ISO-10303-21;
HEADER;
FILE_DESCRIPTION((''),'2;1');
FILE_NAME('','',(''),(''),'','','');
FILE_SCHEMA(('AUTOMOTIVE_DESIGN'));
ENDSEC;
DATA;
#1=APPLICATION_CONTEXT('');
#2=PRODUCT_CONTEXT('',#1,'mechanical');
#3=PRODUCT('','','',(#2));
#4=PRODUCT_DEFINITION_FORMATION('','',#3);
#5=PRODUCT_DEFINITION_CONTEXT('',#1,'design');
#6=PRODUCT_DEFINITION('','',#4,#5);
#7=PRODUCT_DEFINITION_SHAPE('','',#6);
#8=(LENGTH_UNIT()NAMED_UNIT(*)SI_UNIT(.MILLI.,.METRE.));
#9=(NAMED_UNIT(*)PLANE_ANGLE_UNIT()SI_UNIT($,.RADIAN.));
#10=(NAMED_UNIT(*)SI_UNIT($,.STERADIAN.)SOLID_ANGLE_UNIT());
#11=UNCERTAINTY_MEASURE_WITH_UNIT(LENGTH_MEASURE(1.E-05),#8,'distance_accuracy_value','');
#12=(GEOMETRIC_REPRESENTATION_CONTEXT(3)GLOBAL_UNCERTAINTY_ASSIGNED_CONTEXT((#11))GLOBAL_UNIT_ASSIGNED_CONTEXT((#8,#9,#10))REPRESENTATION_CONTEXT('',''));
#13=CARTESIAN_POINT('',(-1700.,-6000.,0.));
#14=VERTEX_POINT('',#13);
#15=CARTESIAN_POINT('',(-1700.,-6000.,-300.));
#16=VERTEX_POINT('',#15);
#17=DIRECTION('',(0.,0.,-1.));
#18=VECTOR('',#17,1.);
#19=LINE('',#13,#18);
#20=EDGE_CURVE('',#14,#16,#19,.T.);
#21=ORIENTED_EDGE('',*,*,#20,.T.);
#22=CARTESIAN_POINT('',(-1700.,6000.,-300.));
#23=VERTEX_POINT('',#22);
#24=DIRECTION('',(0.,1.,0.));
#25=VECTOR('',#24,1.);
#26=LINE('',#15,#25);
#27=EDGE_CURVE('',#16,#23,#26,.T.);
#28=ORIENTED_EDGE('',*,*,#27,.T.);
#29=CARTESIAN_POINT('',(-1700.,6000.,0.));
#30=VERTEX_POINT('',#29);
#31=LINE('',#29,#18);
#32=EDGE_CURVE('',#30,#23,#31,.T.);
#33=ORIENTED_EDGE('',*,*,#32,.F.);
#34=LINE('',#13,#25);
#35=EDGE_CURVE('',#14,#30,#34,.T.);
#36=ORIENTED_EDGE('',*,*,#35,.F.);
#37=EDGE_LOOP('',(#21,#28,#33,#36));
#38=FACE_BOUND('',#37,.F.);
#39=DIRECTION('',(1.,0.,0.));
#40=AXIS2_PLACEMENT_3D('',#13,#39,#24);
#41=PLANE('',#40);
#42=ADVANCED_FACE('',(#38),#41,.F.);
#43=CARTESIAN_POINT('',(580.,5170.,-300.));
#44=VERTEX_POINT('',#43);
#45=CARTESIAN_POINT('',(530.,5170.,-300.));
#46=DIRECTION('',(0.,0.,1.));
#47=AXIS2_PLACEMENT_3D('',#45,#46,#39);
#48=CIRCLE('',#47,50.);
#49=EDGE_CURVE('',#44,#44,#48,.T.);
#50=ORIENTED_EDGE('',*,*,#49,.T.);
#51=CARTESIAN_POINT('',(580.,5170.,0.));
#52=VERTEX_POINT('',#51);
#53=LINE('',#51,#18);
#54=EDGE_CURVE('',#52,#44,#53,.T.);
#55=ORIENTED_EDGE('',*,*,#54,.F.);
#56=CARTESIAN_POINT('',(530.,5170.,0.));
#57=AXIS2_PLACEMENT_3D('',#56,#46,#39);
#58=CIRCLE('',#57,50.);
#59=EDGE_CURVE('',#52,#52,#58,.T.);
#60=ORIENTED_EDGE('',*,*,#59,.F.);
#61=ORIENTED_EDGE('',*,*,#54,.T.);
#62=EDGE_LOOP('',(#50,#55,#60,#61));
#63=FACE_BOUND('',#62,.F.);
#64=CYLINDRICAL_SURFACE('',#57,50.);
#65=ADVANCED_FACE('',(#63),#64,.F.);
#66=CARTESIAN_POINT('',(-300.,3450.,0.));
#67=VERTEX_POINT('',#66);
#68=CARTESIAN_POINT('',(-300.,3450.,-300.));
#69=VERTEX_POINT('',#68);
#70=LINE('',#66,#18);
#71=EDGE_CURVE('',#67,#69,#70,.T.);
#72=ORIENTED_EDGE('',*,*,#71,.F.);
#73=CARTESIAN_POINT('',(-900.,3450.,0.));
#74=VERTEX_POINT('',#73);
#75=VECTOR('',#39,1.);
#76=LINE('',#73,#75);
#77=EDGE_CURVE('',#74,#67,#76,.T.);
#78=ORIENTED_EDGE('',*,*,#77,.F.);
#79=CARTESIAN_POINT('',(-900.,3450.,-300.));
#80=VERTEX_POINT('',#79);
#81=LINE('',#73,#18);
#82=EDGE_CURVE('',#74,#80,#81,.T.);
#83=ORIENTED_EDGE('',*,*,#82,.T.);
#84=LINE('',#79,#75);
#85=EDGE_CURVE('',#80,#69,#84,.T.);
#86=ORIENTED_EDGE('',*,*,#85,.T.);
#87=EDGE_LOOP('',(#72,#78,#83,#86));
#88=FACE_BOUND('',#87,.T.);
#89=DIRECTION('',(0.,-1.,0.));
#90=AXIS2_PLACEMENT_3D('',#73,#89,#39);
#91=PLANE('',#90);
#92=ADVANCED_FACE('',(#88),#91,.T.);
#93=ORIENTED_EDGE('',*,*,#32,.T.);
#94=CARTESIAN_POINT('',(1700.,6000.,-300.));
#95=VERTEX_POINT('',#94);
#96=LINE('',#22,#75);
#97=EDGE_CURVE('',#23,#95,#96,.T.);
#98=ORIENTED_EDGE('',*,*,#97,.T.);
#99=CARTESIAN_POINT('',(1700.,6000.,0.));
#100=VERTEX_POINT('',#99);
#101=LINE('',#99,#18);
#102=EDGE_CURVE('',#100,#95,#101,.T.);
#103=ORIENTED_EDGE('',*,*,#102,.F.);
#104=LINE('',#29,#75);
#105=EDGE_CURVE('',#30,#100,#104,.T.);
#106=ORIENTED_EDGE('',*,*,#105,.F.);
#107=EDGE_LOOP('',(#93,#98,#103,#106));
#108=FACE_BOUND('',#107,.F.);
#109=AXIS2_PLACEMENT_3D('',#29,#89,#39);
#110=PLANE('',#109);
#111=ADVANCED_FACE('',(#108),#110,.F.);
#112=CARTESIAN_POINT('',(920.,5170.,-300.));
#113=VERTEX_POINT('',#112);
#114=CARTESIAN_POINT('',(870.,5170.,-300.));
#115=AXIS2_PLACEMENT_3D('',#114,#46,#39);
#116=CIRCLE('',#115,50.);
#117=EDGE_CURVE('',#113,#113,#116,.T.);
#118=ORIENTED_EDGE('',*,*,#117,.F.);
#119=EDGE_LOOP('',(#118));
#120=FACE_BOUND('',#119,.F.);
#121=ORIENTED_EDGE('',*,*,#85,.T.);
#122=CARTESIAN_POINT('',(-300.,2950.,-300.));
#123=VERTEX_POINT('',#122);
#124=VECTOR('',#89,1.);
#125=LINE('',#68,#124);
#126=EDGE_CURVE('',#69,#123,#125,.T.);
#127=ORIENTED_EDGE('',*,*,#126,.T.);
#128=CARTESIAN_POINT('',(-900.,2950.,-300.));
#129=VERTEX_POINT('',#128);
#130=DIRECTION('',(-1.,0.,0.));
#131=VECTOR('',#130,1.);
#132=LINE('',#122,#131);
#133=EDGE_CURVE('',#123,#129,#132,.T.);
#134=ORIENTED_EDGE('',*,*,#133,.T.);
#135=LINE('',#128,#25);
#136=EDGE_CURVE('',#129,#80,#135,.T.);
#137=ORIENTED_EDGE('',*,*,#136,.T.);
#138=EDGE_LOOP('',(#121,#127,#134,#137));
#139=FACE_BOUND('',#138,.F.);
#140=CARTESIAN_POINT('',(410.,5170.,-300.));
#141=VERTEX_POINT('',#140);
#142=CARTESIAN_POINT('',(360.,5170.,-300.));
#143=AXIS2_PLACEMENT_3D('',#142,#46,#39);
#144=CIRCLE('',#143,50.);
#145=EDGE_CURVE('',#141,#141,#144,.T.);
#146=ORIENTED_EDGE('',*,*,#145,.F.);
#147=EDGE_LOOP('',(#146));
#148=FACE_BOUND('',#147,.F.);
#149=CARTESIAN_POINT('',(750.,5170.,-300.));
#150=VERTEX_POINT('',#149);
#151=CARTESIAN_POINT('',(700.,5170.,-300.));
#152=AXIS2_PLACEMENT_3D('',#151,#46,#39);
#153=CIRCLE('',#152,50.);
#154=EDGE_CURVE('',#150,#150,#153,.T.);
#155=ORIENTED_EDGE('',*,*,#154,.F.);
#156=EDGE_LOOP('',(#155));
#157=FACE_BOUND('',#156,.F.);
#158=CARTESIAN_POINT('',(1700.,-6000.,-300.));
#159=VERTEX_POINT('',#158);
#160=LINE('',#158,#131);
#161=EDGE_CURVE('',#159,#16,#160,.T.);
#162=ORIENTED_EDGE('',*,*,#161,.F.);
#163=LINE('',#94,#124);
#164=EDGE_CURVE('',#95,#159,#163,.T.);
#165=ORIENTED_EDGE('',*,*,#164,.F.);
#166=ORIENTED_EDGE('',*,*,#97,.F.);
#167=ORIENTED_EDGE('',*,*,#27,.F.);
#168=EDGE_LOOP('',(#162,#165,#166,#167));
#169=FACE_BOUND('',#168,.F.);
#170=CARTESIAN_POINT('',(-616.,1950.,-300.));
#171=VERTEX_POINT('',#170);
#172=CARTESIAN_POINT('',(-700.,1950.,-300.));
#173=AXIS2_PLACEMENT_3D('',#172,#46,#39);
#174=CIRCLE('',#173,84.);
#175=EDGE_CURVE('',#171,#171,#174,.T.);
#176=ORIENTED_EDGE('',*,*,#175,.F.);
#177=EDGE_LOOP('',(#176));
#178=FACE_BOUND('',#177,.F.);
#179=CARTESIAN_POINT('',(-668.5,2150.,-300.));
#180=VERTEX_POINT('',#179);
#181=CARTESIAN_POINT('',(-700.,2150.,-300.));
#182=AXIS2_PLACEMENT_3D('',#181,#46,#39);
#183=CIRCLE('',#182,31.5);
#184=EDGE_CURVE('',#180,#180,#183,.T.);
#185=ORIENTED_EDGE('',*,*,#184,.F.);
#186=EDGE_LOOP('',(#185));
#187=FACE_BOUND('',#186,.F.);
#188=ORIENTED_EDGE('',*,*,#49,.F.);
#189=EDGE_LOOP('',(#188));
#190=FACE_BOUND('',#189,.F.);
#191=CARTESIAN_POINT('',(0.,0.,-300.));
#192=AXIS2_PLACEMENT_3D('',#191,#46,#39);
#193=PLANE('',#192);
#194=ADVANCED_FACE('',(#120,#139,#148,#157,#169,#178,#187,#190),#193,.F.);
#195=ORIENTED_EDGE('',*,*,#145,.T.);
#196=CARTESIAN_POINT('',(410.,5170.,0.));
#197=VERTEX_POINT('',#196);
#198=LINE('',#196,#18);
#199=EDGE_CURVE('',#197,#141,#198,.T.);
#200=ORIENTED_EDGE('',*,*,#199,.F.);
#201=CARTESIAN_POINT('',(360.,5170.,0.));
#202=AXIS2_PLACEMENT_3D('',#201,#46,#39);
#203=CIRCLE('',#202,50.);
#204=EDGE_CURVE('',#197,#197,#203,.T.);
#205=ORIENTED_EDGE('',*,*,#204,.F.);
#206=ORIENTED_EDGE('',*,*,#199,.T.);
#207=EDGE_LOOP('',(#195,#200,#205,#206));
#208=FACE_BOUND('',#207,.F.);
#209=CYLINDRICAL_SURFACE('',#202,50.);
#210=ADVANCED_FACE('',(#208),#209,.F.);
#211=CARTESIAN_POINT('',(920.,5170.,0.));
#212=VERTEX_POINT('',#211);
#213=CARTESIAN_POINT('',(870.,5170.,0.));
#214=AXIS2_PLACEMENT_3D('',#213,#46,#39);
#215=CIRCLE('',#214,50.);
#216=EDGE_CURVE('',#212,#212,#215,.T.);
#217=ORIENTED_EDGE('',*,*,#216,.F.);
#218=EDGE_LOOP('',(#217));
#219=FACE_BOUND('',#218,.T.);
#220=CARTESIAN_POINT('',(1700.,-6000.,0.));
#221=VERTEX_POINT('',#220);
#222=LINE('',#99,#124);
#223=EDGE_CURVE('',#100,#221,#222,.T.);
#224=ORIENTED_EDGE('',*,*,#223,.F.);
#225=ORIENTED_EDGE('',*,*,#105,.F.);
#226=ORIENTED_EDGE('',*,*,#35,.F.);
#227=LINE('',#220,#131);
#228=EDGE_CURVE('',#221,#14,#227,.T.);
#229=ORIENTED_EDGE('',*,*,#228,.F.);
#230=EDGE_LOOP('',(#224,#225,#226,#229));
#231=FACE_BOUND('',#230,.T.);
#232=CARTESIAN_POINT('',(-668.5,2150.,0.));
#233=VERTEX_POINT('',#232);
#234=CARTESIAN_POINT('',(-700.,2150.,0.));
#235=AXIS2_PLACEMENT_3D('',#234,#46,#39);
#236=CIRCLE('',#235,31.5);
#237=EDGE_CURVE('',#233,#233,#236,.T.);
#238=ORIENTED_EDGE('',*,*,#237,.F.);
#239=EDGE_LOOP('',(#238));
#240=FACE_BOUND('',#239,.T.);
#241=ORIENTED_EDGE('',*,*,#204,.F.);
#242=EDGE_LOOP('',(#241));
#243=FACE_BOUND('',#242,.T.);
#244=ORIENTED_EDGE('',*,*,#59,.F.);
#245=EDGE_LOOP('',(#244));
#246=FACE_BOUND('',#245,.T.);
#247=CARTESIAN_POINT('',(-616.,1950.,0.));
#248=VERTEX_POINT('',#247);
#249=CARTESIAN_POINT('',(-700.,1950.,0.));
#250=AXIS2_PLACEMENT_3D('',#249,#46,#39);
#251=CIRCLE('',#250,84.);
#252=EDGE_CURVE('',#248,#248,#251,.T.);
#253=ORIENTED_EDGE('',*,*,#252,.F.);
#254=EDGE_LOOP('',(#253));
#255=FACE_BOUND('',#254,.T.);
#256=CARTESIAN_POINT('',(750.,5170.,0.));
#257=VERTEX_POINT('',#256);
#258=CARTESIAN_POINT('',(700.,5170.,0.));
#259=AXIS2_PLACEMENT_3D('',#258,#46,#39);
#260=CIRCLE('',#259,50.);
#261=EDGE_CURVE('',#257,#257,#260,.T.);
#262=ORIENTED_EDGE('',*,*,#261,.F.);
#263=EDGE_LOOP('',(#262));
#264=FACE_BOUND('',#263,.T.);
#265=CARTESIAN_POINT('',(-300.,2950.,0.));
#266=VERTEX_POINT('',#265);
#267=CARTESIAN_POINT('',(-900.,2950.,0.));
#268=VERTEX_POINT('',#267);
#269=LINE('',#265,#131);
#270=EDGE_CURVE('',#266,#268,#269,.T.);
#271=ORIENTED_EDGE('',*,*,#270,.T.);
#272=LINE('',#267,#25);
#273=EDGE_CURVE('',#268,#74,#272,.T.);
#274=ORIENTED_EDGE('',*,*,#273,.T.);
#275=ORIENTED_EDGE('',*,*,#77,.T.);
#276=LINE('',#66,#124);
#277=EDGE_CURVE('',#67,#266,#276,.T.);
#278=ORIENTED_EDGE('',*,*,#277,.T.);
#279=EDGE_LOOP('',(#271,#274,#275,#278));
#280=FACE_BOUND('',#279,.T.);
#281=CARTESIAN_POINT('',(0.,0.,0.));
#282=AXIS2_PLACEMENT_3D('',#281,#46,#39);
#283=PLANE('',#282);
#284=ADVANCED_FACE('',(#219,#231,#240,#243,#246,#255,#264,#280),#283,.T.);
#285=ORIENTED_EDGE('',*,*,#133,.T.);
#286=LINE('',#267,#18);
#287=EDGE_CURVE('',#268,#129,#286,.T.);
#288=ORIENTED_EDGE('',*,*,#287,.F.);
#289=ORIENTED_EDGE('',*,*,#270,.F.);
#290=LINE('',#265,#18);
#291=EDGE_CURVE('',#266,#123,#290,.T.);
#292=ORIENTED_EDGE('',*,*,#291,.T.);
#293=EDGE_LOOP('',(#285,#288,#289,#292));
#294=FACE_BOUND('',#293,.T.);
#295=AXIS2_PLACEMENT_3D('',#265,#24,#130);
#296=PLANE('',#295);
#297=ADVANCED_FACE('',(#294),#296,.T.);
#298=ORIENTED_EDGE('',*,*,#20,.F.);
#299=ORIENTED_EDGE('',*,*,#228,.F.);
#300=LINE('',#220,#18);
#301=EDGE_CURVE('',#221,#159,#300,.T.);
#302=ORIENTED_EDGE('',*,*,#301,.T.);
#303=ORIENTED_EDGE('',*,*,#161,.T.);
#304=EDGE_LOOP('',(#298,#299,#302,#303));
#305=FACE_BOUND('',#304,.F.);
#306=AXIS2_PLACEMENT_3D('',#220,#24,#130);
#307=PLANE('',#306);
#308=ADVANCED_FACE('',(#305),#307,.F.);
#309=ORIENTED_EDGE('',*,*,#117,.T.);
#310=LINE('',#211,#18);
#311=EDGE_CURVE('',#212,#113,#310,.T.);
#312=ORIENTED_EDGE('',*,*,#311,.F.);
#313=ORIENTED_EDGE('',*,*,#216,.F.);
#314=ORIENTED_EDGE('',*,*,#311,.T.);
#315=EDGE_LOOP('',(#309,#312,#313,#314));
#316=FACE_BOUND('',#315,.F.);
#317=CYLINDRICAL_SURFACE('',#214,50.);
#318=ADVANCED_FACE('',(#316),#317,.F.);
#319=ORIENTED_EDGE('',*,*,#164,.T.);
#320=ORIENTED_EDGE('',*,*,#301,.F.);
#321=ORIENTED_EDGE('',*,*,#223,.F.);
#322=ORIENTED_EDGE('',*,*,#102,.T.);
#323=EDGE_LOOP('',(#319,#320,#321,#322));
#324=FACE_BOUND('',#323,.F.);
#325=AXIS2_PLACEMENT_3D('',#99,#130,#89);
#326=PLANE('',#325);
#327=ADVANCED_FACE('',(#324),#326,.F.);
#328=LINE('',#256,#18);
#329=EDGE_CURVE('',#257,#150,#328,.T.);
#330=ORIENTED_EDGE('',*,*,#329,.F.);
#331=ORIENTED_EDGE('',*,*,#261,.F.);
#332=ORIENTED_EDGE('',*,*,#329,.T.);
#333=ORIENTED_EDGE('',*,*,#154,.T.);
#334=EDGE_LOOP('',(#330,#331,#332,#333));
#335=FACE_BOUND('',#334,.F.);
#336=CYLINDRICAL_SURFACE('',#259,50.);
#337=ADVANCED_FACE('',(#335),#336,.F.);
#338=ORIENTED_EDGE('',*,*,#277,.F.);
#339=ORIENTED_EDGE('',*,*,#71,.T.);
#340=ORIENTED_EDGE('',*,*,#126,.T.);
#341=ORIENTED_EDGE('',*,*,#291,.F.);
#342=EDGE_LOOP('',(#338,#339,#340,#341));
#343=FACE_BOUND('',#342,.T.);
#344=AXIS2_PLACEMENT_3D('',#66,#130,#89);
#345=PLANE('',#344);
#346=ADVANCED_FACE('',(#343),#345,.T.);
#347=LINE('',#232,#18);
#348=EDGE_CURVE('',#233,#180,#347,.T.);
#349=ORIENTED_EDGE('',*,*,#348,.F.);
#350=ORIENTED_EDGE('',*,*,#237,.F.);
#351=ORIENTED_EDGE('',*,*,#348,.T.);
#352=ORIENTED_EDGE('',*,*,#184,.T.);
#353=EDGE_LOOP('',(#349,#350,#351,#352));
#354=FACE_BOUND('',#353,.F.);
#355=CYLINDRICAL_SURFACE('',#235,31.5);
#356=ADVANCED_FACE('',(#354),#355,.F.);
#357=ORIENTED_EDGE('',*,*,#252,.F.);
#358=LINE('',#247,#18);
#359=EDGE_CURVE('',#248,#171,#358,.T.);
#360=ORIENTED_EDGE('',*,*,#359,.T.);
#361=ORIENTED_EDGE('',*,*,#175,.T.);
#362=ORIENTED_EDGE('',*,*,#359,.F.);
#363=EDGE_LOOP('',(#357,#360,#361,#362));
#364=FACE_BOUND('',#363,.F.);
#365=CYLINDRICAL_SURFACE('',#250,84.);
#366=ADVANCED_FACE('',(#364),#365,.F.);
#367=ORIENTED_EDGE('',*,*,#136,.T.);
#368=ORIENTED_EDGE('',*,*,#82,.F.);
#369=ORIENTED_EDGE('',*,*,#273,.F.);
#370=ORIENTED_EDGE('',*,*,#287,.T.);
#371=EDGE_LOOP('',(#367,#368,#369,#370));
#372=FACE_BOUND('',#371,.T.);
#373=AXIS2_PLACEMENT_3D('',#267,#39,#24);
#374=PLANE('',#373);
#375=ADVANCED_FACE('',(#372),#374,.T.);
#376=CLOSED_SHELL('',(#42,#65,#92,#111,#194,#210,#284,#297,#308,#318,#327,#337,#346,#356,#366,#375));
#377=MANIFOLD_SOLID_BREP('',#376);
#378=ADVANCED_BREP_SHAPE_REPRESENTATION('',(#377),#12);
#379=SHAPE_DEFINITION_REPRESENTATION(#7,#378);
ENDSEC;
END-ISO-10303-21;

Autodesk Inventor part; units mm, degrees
ref_plane "YZ Plane" through (0, 0, 0) normal (1, 0, 0) x (0, 1, 0)
ref_plane "XZ Plane" through (0, 0, 0) normal (0, 1, 0) x (-1, 0, 0)
ref_plane "XY Plane" through (0, 0, 0) normal (0, 0, 1) x (1, 0, 0)
sketch "Sketch1" plane through (0, 0, 0) normal (0, 0, 1) x (1, 0, 0)
  line L0 (-1700, 6000) -> (1700, 6000)
  line L1 (1700, 6000) -> (1700, -6000)
  line L2 (1700, -6000) -> (-1700, -6000)
  line L3 (-1700, -6000) -> (-1700, 6000)
  line L4 (-1700, 6000) -> (1700, -6000) construction
  line L5 (1700, 6000) -> (-1700, -6000) construction
  line L6 (-900, 3450) -> (-300, 3450)
  line L7 (-300, 3450) -> (-300, 2950)
  line L8 (-300, 2950) -> (-900, 2950)
  line L9 (-900, 2950) -> (-900, 3450)
  line L10 (-900, 3450) -> (-300, 2950) construction
  line L11 (-300, 3450) -> (-900, 2950) construction
  circle A0 centre (-700, 1950) radius 84
  circle A1 centre (-700, 2150) radius 31.5
  circle A2 centre (870, 5170) radius 50
  circle A3 centre (700, 5170) radius 50
  circle A4 centre (530, 5170) radius 50
  circle A5 centre (360, 5170) radius 50
  line L12 (360, 5170) -> (870, 5170) construction
  line L13 (1700, 6000) -> (920, 6000) construction
  line L14 (920, 6000) -> (920, 5220) construction
  line L15 (920, 5220) -> (1700, 5220) construction
  line L16 (1700, 5220) -> (1700, 6000) construction
  point P0 (0, 0)
  point P1 (-600, 3200)
  dimension "d0" = 3400
  dimension "d1" = 12000
  dimension "d2" = 600
  dimension "d3" = 500
  dimension "d4" = 168
  dimension "d5" = 63
  dimension "d6" = 1000
  dimension "d7" = 800
  dimension "d10" = 2550
  dimension "d11" = 3850
  dimension "d12" = 200
  dimension "d13" = 100
  dimension "d14" = 170
  dimension "d15" = 170
  dimension "d16" = 170
  dimension "d17" = 780
  dimension "d18" = 780
extrude "Extrusion1" add sketch "Sketch1" against normal blind 300
equation "\"d15\" = d14"
equation "\"d16\" = d14"
properties part number "GnG foundation"
